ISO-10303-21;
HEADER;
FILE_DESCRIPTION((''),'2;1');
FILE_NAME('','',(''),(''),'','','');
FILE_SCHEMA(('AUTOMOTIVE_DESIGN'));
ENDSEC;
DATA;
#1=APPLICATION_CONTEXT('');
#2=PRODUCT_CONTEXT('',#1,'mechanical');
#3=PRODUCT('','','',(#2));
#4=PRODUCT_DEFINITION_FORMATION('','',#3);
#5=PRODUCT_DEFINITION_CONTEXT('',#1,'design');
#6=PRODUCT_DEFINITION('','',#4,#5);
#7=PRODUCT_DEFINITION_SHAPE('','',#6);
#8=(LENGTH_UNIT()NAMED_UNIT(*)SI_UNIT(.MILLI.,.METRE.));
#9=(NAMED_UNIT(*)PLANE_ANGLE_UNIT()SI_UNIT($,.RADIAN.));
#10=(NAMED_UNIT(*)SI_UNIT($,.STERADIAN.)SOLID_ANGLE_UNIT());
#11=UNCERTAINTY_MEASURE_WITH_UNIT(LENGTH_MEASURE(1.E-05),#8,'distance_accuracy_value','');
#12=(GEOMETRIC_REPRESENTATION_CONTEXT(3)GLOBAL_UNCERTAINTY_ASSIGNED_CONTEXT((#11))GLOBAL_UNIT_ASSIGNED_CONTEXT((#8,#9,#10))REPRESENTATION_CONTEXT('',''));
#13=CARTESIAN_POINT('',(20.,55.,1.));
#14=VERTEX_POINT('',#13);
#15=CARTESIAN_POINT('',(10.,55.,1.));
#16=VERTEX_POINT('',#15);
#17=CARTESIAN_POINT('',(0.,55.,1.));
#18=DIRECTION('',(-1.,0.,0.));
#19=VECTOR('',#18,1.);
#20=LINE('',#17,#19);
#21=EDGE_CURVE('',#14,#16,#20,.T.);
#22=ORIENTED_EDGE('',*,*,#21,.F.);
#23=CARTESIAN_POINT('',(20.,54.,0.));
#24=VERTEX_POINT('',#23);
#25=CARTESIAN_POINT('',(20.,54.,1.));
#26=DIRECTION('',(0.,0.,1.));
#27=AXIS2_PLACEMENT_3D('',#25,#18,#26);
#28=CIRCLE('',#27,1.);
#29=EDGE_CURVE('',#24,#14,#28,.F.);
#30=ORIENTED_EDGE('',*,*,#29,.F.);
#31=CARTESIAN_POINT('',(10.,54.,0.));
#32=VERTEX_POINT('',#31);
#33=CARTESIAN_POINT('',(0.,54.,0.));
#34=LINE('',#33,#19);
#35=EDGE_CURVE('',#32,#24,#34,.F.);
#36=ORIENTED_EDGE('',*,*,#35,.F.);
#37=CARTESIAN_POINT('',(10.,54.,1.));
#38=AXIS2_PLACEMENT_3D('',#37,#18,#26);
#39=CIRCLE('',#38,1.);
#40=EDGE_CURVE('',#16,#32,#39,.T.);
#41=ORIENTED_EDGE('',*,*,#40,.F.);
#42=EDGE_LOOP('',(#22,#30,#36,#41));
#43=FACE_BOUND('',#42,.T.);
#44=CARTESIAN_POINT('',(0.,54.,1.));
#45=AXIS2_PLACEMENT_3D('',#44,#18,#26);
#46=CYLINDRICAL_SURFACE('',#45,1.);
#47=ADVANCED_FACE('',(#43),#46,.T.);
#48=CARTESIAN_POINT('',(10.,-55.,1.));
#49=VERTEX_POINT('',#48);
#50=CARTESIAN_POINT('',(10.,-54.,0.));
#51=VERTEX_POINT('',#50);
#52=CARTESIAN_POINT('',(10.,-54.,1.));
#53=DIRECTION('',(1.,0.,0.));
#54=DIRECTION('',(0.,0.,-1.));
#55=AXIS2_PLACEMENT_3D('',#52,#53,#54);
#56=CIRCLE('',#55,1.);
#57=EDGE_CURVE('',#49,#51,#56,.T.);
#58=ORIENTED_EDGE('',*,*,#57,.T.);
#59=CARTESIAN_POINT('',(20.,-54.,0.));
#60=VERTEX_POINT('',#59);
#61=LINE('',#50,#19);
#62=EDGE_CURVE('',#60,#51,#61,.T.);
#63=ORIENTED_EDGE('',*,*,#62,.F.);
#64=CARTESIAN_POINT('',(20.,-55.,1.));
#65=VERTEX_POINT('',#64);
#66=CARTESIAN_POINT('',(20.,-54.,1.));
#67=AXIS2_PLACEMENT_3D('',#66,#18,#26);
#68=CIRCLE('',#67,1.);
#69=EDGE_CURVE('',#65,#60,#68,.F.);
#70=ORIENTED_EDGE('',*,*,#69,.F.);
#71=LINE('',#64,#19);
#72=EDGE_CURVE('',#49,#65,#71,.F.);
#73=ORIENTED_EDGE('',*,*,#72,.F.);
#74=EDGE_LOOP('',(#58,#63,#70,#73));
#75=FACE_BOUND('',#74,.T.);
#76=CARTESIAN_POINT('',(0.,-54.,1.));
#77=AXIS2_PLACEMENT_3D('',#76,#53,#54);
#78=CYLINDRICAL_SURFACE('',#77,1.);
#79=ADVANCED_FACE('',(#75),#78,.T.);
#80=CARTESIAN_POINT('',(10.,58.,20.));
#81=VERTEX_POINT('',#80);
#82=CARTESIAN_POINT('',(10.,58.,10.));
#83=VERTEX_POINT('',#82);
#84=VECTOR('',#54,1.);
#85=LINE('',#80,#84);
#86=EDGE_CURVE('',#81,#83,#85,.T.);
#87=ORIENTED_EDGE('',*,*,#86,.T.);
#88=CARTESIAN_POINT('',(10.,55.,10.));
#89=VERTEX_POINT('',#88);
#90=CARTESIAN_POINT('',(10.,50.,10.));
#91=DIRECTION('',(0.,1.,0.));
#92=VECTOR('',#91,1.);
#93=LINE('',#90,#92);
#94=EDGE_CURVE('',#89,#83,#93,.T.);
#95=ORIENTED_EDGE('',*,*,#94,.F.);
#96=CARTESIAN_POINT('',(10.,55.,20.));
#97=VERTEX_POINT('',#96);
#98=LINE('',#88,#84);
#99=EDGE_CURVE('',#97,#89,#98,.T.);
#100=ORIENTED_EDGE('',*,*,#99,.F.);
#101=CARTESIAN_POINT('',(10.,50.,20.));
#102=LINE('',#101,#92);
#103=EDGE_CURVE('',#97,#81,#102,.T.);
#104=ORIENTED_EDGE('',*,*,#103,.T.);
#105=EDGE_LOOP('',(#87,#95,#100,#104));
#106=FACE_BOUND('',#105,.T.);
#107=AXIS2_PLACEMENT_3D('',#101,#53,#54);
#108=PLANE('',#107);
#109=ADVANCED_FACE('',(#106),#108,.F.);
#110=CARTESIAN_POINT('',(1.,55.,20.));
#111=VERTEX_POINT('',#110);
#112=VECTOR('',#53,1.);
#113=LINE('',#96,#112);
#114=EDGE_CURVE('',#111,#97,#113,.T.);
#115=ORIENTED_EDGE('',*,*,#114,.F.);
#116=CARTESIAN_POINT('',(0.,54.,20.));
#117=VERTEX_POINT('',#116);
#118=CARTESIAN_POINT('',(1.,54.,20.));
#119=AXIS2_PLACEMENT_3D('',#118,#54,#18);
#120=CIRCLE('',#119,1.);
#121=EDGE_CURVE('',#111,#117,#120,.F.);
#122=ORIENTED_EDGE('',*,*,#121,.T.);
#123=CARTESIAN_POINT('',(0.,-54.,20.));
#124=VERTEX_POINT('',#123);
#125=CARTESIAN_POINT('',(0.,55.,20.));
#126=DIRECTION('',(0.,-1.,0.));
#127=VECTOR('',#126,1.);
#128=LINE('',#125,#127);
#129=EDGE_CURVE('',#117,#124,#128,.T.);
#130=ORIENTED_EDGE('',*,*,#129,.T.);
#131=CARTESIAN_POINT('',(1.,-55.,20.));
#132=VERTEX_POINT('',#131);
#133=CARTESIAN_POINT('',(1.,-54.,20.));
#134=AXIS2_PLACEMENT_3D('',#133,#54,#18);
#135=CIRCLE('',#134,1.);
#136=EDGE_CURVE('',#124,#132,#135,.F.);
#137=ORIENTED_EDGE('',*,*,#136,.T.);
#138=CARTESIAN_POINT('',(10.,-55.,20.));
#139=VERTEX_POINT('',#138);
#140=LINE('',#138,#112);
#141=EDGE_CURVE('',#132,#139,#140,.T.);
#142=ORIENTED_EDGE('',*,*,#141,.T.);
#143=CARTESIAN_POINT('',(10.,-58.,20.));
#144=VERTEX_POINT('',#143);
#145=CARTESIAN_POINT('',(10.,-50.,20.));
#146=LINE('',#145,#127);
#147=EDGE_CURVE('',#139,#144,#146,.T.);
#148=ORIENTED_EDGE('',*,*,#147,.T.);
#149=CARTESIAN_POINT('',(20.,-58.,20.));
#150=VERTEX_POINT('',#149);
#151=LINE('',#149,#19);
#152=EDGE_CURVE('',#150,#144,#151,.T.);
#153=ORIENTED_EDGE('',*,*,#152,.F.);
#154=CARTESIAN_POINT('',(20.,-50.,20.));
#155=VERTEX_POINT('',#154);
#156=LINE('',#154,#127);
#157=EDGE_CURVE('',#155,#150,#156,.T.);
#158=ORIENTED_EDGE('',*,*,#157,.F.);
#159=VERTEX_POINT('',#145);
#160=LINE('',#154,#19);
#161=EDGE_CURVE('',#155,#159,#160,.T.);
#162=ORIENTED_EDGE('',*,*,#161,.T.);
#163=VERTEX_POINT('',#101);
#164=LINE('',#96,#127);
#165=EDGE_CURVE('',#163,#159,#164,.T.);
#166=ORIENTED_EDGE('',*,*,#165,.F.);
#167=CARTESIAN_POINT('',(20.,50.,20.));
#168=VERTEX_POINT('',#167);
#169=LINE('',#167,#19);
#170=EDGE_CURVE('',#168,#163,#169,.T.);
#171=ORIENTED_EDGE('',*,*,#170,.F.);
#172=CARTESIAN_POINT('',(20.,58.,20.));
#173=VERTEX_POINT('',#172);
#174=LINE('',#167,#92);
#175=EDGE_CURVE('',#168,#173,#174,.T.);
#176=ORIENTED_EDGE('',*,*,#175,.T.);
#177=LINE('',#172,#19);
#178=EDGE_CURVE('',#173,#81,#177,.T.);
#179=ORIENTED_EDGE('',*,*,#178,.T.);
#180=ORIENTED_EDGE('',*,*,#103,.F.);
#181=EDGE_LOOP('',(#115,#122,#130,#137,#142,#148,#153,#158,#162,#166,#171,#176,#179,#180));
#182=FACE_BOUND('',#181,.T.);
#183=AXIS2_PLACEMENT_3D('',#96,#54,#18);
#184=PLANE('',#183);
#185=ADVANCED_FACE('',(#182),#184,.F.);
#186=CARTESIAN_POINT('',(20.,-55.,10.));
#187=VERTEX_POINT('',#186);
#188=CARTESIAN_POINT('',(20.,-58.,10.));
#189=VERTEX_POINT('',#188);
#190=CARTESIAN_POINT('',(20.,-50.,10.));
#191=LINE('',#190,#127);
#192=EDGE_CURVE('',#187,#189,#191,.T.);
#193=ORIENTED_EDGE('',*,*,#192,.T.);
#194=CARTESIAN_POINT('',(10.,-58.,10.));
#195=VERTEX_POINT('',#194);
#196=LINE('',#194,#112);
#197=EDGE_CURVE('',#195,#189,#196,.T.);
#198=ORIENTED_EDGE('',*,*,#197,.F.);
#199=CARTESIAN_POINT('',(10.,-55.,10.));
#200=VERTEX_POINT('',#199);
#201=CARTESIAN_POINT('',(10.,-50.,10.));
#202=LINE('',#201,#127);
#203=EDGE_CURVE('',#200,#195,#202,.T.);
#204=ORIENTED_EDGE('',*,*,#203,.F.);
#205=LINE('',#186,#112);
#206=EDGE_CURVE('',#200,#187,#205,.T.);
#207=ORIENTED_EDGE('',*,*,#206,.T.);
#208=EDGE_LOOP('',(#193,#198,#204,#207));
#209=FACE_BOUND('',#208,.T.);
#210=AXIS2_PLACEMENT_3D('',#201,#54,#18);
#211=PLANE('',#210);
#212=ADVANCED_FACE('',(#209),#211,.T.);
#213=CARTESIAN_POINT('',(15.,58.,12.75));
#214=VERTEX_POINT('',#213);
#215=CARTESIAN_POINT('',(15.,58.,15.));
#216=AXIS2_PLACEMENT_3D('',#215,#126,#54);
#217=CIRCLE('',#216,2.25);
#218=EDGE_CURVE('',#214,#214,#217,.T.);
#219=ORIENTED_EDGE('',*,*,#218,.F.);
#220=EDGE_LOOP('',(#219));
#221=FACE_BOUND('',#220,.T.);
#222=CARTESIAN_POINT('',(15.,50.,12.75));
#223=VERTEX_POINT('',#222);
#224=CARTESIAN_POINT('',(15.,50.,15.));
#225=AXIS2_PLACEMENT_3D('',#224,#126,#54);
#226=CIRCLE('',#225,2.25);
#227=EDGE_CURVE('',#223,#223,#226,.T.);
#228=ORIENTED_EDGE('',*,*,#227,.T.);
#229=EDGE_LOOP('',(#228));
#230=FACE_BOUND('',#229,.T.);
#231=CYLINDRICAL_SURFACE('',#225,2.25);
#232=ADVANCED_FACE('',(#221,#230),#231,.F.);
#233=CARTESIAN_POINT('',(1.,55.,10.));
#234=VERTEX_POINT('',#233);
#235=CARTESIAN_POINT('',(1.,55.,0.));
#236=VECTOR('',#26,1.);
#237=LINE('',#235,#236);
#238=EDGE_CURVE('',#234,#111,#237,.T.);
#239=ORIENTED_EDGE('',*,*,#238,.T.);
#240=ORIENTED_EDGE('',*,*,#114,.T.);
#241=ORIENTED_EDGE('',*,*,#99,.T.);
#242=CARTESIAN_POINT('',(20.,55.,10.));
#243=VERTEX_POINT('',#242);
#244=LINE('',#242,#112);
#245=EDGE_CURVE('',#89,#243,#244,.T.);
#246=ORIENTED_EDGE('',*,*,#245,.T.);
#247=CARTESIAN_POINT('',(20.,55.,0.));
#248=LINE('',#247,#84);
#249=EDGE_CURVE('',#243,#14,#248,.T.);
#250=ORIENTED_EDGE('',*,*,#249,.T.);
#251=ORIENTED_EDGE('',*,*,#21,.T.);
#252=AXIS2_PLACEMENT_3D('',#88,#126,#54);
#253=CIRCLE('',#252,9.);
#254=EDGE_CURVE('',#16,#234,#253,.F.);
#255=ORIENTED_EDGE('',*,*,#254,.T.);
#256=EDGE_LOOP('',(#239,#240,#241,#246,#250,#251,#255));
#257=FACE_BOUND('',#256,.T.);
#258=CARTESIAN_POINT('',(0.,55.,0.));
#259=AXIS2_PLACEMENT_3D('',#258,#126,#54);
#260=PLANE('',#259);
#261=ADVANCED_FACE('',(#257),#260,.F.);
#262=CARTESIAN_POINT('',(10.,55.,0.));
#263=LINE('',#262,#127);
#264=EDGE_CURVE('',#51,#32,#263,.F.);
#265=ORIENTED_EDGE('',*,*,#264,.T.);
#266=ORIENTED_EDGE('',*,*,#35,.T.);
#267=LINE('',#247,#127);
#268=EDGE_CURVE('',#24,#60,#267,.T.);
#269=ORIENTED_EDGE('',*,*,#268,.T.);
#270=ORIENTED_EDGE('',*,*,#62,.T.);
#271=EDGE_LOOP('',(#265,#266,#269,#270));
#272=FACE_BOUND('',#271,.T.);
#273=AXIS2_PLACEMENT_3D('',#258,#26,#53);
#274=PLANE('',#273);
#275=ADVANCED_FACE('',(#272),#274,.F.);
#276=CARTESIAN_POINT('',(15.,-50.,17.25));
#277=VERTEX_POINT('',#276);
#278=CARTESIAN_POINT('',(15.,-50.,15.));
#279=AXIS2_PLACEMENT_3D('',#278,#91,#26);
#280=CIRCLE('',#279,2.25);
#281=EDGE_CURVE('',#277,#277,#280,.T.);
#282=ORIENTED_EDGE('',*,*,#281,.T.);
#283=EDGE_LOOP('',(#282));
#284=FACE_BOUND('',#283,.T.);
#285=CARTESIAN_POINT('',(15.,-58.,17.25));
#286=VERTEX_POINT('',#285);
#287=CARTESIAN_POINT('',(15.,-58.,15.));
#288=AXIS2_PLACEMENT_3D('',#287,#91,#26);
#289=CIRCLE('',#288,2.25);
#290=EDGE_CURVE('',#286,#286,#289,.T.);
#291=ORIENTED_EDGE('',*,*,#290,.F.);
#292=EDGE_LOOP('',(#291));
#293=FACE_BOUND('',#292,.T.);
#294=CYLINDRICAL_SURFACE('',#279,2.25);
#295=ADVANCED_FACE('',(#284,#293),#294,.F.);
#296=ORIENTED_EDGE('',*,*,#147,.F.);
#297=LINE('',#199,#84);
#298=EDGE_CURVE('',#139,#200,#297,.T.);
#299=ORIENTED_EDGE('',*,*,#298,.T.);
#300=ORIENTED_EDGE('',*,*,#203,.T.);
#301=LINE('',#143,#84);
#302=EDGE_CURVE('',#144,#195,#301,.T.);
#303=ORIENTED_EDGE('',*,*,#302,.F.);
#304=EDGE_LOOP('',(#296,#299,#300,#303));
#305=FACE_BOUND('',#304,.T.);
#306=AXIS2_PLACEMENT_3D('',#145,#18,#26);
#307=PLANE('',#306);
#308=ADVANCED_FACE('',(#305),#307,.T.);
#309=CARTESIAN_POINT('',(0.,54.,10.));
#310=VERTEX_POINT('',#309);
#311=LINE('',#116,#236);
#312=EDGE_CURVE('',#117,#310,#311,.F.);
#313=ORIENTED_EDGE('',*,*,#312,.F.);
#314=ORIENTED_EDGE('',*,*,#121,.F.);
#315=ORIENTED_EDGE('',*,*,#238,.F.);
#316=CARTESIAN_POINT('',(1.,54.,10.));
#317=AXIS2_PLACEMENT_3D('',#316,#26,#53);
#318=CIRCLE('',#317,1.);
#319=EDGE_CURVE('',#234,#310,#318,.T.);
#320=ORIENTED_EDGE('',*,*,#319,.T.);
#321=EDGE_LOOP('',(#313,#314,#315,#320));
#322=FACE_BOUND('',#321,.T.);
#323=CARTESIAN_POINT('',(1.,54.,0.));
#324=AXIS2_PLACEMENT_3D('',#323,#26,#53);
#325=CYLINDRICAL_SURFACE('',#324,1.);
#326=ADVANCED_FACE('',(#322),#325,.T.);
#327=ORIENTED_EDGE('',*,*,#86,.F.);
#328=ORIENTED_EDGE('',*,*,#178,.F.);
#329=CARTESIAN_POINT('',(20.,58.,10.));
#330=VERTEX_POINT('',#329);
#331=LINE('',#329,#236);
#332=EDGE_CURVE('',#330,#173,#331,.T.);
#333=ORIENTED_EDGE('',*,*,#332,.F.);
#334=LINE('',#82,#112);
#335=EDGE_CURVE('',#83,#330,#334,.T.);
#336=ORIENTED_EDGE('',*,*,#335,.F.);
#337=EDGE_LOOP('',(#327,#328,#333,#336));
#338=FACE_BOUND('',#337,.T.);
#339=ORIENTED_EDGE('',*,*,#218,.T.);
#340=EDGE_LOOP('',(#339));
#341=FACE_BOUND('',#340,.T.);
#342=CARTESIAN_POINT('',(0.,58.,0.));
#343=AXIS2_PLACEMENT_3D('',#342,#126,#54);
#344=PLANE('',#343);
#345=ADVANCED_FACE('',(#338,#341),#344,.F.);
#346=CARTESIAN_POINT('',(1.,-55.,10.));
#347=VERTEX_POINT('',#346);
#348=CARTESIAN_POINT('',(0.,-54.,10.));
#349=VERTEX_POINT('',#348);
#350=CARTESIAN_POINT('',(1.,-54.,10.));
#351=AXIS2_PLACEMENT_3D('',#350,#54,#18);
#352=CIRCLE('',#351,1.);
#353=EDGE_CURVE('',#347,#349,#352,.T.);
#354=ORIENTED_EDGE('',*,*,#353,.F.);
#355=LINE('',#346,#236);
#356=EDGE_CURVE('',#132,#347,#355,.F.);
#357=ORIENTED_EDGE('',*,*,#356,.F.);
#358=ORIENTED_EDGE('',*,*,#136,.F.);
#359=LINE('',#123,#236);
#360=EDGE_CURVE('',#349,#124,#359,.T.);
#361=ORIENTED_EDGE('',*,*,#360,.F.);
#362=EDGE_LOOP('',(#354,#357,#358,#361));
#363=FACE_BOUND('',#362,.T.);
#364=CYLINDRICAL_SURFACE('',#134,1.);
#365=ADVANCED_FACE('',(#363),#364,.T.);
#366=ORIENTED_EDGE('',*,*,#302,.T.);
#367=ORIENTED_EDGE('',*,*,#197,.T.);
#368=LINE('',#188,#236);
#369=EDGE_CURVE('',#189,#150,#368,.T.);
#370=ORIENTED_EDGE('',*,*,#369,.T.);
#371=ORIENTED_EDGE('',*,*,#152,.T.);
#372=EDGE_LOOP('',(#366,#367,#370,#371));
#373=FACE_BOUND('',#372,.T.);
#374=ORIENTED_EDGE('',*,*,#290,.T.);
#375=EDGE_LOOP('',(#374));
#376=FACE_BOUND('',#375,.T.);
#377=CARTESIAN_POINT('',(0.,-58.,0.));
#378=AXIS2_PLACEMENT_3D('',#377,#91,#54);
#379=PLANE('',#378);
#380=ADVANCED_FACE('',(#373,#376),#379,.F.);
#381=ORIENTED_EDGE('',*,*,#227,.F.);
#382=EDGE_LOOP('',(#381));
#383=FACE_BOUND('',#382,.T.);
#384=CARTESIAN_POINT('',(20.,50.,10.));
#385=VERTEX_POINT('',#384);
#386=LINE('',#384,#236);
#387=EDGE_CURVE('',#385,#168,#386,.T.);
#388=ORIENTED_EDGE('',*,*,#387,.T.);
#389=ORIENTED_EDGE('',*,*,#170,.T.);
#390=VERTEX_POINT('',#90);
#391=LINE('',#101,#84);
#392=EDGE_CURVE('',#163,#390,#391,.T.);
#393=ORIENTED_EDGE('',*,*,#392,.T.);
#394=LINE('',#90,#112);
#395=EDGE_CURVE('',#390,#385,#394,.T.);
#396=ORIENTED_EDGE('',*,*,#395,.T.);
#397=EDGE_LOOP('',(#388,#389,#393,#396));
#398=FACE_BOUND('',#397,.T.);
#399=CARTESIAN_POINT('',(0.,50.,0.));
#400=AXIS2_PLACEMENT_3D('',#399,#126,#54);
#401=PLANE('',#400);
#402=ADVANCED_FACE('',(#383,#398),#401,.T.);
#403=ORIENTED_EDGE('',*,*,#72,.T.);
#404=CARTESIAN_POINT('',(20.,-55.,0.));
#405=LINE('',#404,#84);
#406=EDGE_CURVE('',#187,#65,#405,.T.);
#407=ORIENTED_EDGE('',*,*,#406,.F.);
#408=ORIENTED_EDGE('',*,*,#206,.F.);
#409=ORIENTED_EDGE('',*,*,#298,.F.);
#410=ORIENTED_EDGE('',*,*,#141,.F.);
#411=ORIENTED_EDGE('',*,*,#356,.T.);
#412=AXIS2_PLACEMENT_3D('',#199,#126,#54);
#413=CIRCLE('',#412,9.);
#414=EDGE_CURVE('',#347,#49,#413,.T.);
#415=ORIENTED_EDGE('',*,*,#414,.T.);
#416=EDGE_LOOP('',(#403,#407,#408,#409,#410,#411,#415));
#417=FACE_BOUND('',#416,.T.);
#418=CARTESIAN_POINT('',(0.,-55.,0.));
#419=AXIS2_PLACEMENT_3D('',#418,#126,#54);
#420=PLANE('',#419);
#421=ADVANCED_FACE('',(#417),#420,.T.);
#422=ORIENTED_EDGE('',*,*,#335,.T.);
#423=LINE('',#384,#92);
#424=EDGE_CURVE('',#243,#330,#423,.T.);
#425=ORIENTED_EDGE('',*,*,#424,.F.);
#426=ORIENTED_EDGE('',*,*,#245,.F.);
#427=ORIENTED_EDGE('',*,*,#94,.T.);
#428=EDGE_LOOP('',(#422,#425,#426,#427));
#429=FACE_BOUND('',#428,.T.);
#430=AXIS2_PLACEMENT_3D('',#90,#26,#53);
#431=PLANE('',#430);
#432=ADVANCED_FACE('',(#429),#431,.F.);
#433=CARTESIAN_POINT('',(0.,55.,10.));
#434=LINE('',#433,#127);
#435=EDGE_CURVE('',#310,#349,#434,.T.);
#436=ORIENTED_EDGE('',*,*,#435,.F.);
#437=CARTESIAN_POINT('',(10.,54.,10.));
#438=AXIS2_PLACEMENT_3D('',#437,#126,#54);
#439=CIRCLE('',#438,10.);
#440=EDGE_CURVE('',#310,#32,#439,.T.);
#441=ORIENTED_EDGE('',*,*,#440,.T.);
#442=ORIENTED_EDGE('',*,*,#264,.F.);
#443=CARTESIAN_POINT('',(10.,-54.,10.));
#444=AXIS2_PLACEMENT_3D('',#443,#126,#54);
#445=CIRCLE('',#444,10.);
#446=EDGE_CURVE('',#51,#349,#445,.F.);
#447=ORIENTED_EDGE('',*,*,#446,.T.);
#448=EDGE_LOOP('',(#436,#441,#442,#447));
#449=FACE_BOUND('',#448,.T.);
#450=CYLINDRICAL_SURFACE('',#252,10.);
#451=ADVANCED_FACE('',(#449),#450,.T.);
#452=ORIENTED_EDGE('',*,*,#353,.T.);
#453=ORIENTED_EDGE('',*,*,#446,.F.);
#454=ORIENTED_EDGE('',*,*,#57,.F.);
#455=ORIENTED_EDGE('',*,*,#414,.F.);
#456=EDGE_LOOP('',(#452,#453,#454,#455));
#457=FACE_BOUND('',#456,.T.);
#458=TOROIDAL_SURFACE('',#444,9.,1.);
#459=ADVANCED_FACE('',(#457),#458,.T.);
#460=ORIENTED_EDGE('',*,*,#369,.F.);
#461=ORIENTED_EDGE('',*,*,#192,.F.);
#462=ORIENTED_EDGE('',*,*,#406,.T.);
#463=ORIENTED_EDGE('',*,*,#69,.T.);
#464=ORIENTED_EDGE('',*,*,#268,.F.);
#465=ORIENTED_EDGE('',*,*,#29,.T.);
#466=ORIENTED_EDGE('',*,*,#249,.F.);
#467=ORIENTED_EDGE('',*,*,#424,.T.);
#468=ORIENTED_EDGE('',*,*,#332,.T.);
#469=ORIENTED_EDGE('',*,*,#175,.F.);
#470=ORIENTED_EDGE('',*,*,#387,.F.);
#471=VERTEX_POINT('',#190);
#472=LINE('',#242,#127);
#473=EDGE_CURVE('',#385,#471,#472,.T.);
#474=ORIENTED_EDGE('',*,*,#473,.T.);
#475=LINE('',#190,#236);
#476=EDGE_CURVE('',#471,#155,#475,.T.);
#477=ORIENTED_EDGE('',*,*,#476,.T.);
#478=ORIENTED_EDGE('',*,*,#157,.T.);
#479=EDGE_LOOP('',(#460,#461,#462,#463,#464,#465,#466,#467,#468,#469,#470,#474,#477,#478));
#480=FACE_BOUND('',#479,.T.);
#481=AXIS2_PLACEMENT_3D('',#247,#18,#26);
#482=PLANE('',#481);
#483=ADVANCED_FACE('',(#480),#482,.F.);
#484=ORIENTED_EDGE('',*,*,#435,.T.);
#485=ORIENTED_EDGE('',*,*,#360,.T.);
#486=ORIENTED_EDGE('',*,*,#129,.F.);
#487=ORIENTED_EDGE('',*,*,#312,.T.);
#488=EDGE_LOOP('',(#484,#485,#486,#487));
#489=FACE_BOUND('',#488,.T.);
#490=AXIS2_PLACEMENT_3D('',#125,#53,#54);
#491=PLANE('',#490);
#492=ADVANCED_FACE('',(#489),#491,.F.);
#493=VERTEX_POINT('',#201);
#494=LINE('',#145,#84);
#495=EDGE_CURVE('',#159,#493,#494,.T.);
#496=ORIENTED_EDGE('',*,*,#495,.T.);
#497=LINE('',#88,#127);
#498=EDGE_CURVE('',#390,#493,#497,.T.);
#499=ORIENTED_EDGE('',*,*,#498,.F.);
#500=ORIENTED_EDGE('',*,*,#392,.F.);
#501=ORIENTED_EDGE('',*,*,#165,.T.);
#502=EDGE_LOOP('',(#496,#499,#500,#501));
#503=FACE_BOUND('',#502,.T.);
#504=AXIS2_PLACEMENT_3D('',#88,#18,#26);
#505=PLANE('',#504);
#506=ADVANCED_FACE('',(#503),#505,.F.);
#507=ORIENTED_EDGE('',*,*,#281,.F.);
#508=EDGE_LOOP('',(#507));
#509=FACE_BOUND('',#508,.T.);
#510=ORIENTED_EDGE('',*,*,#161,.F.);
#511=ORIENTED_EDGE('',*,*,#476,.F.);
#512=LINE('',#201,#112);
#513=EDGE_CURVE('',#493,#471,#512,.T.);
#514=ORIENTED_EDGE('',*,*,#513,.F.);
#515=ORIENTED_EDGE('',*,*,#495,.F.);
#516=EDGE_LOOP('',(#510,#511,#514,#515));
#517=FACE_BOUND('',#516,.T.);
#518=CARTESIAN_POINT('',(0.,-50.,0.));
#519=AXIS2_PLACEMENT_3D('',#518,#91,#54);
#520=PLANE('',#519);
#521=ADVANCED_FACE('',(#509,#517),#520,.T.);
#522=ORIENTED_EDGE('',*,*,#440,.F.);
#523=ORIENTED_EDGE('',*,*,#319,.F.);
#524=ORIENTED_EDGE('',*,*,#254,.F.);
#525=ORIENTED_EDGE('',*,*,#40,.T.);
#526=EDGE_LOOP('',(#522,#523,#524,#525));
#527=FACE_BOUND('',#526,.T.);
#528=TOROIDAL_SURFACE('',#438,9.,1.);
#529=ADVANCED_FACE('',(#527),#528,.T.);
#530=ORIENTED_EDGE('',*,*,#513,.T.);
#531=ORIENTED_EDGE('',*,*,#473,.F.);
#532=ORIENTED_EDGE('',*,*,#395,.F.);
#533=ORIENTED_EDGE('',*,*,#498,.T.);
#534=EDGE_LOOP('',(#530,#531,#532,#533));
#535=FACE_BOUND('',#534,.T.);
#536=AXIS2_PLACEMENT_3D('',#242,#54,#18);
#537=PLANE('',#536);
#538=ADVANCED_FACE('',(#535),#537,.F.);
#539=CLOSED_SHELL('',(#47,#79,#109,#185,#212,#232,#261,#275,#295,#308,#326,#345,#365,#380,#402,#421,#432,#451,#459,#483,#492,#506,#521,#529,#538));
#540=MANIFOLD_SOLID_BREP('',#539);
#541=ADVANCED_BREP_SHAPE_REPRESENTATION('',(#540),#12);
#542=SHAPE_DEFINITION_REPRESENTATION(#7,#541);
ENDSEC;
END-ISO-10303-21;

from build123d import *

# Parameters (mm, degrees)
BOSS_EXTRUDE1_DEPTH  = 55
BOSS_EXTRUDE2_START  = -5
SKETCH3_W            = 10
SKETCH3_H            = 10
BOSS_EXTRUDE2_DEPTH  = 8
M4_CLEARANCE_HOLE1_D = 4.5
FILLET2_R            = 10
FILLET3_R            = 1


with BuildPart() as part:
    # Sketch2 → Boss-Extrude1 (new, symmetric)
    with BuildSketch(Plane(origin=(0, 0, 0), x_dir=(1, 0, 0), z_dir=(0, 1, 0))):
        Polygon((0, 0), (20, 0), (20, -10), (10, -10), (10, -20), (0, -20), align=None)
    extrude(amount=BOSS_EXTRUDE1_DEPTH, both=True)

    # Sketch3 → Boss-Extrude2 (add)
    with BuildSketch(Plane(origin=(0, 55, 0), x_dir=(1, 0, 0), z_dir=(0, 1, 0)).offset(BOSS_EXTRUDE2_START)):
        with Locations((15, -15)):
            Rectangle(SKETCH3_W, SKETCH3_H)
    boss_extrude2 = extrude(amount=BOSS_EXTRUDE2_DEPTH)

    # M4 Clearance Hole1 (through all)
    with Locations(Plane(origin=(15, 50, 15), x_dir=(0, 0, -1), z_dir=(0, -1, 0))):
        with Locations((0, 0)):
            m4_clearance_hole1 = Hole(M4_CLEARANCE_HOLE1_D / 2)

    # Mirror1: Boss-Extrude2, M4 Clearance Hole1 across plane
    add(boss_extrude2.mirror(Plane.ZX))
    add(m4_clearance_hole1.mirror(Plane.ZX), mode=Mode.SUBTRACT)

    # Fillet2
    fillet2_edges = [part.edges().sort_by_distance(p)[0] for p in [
        (0, 0, 0),
    ]]
    fillet(fillet2_edges, radius=FILLET2_R)

    # Fillet3
    fillet3_edges = [part.edges().sort_by_distance(p)[0] for p in [
        (15, 55, 0),
        (0, -55, 15),
        (0, 55, 15),
        (2.928932188, -55, 2.928932188),
        (2.928932188, 55, 2.928932188),
        (15, -55, 0),
    ]]
    fillet(fillet3_edges, radius=FILLET3_R)


solid = part.part
